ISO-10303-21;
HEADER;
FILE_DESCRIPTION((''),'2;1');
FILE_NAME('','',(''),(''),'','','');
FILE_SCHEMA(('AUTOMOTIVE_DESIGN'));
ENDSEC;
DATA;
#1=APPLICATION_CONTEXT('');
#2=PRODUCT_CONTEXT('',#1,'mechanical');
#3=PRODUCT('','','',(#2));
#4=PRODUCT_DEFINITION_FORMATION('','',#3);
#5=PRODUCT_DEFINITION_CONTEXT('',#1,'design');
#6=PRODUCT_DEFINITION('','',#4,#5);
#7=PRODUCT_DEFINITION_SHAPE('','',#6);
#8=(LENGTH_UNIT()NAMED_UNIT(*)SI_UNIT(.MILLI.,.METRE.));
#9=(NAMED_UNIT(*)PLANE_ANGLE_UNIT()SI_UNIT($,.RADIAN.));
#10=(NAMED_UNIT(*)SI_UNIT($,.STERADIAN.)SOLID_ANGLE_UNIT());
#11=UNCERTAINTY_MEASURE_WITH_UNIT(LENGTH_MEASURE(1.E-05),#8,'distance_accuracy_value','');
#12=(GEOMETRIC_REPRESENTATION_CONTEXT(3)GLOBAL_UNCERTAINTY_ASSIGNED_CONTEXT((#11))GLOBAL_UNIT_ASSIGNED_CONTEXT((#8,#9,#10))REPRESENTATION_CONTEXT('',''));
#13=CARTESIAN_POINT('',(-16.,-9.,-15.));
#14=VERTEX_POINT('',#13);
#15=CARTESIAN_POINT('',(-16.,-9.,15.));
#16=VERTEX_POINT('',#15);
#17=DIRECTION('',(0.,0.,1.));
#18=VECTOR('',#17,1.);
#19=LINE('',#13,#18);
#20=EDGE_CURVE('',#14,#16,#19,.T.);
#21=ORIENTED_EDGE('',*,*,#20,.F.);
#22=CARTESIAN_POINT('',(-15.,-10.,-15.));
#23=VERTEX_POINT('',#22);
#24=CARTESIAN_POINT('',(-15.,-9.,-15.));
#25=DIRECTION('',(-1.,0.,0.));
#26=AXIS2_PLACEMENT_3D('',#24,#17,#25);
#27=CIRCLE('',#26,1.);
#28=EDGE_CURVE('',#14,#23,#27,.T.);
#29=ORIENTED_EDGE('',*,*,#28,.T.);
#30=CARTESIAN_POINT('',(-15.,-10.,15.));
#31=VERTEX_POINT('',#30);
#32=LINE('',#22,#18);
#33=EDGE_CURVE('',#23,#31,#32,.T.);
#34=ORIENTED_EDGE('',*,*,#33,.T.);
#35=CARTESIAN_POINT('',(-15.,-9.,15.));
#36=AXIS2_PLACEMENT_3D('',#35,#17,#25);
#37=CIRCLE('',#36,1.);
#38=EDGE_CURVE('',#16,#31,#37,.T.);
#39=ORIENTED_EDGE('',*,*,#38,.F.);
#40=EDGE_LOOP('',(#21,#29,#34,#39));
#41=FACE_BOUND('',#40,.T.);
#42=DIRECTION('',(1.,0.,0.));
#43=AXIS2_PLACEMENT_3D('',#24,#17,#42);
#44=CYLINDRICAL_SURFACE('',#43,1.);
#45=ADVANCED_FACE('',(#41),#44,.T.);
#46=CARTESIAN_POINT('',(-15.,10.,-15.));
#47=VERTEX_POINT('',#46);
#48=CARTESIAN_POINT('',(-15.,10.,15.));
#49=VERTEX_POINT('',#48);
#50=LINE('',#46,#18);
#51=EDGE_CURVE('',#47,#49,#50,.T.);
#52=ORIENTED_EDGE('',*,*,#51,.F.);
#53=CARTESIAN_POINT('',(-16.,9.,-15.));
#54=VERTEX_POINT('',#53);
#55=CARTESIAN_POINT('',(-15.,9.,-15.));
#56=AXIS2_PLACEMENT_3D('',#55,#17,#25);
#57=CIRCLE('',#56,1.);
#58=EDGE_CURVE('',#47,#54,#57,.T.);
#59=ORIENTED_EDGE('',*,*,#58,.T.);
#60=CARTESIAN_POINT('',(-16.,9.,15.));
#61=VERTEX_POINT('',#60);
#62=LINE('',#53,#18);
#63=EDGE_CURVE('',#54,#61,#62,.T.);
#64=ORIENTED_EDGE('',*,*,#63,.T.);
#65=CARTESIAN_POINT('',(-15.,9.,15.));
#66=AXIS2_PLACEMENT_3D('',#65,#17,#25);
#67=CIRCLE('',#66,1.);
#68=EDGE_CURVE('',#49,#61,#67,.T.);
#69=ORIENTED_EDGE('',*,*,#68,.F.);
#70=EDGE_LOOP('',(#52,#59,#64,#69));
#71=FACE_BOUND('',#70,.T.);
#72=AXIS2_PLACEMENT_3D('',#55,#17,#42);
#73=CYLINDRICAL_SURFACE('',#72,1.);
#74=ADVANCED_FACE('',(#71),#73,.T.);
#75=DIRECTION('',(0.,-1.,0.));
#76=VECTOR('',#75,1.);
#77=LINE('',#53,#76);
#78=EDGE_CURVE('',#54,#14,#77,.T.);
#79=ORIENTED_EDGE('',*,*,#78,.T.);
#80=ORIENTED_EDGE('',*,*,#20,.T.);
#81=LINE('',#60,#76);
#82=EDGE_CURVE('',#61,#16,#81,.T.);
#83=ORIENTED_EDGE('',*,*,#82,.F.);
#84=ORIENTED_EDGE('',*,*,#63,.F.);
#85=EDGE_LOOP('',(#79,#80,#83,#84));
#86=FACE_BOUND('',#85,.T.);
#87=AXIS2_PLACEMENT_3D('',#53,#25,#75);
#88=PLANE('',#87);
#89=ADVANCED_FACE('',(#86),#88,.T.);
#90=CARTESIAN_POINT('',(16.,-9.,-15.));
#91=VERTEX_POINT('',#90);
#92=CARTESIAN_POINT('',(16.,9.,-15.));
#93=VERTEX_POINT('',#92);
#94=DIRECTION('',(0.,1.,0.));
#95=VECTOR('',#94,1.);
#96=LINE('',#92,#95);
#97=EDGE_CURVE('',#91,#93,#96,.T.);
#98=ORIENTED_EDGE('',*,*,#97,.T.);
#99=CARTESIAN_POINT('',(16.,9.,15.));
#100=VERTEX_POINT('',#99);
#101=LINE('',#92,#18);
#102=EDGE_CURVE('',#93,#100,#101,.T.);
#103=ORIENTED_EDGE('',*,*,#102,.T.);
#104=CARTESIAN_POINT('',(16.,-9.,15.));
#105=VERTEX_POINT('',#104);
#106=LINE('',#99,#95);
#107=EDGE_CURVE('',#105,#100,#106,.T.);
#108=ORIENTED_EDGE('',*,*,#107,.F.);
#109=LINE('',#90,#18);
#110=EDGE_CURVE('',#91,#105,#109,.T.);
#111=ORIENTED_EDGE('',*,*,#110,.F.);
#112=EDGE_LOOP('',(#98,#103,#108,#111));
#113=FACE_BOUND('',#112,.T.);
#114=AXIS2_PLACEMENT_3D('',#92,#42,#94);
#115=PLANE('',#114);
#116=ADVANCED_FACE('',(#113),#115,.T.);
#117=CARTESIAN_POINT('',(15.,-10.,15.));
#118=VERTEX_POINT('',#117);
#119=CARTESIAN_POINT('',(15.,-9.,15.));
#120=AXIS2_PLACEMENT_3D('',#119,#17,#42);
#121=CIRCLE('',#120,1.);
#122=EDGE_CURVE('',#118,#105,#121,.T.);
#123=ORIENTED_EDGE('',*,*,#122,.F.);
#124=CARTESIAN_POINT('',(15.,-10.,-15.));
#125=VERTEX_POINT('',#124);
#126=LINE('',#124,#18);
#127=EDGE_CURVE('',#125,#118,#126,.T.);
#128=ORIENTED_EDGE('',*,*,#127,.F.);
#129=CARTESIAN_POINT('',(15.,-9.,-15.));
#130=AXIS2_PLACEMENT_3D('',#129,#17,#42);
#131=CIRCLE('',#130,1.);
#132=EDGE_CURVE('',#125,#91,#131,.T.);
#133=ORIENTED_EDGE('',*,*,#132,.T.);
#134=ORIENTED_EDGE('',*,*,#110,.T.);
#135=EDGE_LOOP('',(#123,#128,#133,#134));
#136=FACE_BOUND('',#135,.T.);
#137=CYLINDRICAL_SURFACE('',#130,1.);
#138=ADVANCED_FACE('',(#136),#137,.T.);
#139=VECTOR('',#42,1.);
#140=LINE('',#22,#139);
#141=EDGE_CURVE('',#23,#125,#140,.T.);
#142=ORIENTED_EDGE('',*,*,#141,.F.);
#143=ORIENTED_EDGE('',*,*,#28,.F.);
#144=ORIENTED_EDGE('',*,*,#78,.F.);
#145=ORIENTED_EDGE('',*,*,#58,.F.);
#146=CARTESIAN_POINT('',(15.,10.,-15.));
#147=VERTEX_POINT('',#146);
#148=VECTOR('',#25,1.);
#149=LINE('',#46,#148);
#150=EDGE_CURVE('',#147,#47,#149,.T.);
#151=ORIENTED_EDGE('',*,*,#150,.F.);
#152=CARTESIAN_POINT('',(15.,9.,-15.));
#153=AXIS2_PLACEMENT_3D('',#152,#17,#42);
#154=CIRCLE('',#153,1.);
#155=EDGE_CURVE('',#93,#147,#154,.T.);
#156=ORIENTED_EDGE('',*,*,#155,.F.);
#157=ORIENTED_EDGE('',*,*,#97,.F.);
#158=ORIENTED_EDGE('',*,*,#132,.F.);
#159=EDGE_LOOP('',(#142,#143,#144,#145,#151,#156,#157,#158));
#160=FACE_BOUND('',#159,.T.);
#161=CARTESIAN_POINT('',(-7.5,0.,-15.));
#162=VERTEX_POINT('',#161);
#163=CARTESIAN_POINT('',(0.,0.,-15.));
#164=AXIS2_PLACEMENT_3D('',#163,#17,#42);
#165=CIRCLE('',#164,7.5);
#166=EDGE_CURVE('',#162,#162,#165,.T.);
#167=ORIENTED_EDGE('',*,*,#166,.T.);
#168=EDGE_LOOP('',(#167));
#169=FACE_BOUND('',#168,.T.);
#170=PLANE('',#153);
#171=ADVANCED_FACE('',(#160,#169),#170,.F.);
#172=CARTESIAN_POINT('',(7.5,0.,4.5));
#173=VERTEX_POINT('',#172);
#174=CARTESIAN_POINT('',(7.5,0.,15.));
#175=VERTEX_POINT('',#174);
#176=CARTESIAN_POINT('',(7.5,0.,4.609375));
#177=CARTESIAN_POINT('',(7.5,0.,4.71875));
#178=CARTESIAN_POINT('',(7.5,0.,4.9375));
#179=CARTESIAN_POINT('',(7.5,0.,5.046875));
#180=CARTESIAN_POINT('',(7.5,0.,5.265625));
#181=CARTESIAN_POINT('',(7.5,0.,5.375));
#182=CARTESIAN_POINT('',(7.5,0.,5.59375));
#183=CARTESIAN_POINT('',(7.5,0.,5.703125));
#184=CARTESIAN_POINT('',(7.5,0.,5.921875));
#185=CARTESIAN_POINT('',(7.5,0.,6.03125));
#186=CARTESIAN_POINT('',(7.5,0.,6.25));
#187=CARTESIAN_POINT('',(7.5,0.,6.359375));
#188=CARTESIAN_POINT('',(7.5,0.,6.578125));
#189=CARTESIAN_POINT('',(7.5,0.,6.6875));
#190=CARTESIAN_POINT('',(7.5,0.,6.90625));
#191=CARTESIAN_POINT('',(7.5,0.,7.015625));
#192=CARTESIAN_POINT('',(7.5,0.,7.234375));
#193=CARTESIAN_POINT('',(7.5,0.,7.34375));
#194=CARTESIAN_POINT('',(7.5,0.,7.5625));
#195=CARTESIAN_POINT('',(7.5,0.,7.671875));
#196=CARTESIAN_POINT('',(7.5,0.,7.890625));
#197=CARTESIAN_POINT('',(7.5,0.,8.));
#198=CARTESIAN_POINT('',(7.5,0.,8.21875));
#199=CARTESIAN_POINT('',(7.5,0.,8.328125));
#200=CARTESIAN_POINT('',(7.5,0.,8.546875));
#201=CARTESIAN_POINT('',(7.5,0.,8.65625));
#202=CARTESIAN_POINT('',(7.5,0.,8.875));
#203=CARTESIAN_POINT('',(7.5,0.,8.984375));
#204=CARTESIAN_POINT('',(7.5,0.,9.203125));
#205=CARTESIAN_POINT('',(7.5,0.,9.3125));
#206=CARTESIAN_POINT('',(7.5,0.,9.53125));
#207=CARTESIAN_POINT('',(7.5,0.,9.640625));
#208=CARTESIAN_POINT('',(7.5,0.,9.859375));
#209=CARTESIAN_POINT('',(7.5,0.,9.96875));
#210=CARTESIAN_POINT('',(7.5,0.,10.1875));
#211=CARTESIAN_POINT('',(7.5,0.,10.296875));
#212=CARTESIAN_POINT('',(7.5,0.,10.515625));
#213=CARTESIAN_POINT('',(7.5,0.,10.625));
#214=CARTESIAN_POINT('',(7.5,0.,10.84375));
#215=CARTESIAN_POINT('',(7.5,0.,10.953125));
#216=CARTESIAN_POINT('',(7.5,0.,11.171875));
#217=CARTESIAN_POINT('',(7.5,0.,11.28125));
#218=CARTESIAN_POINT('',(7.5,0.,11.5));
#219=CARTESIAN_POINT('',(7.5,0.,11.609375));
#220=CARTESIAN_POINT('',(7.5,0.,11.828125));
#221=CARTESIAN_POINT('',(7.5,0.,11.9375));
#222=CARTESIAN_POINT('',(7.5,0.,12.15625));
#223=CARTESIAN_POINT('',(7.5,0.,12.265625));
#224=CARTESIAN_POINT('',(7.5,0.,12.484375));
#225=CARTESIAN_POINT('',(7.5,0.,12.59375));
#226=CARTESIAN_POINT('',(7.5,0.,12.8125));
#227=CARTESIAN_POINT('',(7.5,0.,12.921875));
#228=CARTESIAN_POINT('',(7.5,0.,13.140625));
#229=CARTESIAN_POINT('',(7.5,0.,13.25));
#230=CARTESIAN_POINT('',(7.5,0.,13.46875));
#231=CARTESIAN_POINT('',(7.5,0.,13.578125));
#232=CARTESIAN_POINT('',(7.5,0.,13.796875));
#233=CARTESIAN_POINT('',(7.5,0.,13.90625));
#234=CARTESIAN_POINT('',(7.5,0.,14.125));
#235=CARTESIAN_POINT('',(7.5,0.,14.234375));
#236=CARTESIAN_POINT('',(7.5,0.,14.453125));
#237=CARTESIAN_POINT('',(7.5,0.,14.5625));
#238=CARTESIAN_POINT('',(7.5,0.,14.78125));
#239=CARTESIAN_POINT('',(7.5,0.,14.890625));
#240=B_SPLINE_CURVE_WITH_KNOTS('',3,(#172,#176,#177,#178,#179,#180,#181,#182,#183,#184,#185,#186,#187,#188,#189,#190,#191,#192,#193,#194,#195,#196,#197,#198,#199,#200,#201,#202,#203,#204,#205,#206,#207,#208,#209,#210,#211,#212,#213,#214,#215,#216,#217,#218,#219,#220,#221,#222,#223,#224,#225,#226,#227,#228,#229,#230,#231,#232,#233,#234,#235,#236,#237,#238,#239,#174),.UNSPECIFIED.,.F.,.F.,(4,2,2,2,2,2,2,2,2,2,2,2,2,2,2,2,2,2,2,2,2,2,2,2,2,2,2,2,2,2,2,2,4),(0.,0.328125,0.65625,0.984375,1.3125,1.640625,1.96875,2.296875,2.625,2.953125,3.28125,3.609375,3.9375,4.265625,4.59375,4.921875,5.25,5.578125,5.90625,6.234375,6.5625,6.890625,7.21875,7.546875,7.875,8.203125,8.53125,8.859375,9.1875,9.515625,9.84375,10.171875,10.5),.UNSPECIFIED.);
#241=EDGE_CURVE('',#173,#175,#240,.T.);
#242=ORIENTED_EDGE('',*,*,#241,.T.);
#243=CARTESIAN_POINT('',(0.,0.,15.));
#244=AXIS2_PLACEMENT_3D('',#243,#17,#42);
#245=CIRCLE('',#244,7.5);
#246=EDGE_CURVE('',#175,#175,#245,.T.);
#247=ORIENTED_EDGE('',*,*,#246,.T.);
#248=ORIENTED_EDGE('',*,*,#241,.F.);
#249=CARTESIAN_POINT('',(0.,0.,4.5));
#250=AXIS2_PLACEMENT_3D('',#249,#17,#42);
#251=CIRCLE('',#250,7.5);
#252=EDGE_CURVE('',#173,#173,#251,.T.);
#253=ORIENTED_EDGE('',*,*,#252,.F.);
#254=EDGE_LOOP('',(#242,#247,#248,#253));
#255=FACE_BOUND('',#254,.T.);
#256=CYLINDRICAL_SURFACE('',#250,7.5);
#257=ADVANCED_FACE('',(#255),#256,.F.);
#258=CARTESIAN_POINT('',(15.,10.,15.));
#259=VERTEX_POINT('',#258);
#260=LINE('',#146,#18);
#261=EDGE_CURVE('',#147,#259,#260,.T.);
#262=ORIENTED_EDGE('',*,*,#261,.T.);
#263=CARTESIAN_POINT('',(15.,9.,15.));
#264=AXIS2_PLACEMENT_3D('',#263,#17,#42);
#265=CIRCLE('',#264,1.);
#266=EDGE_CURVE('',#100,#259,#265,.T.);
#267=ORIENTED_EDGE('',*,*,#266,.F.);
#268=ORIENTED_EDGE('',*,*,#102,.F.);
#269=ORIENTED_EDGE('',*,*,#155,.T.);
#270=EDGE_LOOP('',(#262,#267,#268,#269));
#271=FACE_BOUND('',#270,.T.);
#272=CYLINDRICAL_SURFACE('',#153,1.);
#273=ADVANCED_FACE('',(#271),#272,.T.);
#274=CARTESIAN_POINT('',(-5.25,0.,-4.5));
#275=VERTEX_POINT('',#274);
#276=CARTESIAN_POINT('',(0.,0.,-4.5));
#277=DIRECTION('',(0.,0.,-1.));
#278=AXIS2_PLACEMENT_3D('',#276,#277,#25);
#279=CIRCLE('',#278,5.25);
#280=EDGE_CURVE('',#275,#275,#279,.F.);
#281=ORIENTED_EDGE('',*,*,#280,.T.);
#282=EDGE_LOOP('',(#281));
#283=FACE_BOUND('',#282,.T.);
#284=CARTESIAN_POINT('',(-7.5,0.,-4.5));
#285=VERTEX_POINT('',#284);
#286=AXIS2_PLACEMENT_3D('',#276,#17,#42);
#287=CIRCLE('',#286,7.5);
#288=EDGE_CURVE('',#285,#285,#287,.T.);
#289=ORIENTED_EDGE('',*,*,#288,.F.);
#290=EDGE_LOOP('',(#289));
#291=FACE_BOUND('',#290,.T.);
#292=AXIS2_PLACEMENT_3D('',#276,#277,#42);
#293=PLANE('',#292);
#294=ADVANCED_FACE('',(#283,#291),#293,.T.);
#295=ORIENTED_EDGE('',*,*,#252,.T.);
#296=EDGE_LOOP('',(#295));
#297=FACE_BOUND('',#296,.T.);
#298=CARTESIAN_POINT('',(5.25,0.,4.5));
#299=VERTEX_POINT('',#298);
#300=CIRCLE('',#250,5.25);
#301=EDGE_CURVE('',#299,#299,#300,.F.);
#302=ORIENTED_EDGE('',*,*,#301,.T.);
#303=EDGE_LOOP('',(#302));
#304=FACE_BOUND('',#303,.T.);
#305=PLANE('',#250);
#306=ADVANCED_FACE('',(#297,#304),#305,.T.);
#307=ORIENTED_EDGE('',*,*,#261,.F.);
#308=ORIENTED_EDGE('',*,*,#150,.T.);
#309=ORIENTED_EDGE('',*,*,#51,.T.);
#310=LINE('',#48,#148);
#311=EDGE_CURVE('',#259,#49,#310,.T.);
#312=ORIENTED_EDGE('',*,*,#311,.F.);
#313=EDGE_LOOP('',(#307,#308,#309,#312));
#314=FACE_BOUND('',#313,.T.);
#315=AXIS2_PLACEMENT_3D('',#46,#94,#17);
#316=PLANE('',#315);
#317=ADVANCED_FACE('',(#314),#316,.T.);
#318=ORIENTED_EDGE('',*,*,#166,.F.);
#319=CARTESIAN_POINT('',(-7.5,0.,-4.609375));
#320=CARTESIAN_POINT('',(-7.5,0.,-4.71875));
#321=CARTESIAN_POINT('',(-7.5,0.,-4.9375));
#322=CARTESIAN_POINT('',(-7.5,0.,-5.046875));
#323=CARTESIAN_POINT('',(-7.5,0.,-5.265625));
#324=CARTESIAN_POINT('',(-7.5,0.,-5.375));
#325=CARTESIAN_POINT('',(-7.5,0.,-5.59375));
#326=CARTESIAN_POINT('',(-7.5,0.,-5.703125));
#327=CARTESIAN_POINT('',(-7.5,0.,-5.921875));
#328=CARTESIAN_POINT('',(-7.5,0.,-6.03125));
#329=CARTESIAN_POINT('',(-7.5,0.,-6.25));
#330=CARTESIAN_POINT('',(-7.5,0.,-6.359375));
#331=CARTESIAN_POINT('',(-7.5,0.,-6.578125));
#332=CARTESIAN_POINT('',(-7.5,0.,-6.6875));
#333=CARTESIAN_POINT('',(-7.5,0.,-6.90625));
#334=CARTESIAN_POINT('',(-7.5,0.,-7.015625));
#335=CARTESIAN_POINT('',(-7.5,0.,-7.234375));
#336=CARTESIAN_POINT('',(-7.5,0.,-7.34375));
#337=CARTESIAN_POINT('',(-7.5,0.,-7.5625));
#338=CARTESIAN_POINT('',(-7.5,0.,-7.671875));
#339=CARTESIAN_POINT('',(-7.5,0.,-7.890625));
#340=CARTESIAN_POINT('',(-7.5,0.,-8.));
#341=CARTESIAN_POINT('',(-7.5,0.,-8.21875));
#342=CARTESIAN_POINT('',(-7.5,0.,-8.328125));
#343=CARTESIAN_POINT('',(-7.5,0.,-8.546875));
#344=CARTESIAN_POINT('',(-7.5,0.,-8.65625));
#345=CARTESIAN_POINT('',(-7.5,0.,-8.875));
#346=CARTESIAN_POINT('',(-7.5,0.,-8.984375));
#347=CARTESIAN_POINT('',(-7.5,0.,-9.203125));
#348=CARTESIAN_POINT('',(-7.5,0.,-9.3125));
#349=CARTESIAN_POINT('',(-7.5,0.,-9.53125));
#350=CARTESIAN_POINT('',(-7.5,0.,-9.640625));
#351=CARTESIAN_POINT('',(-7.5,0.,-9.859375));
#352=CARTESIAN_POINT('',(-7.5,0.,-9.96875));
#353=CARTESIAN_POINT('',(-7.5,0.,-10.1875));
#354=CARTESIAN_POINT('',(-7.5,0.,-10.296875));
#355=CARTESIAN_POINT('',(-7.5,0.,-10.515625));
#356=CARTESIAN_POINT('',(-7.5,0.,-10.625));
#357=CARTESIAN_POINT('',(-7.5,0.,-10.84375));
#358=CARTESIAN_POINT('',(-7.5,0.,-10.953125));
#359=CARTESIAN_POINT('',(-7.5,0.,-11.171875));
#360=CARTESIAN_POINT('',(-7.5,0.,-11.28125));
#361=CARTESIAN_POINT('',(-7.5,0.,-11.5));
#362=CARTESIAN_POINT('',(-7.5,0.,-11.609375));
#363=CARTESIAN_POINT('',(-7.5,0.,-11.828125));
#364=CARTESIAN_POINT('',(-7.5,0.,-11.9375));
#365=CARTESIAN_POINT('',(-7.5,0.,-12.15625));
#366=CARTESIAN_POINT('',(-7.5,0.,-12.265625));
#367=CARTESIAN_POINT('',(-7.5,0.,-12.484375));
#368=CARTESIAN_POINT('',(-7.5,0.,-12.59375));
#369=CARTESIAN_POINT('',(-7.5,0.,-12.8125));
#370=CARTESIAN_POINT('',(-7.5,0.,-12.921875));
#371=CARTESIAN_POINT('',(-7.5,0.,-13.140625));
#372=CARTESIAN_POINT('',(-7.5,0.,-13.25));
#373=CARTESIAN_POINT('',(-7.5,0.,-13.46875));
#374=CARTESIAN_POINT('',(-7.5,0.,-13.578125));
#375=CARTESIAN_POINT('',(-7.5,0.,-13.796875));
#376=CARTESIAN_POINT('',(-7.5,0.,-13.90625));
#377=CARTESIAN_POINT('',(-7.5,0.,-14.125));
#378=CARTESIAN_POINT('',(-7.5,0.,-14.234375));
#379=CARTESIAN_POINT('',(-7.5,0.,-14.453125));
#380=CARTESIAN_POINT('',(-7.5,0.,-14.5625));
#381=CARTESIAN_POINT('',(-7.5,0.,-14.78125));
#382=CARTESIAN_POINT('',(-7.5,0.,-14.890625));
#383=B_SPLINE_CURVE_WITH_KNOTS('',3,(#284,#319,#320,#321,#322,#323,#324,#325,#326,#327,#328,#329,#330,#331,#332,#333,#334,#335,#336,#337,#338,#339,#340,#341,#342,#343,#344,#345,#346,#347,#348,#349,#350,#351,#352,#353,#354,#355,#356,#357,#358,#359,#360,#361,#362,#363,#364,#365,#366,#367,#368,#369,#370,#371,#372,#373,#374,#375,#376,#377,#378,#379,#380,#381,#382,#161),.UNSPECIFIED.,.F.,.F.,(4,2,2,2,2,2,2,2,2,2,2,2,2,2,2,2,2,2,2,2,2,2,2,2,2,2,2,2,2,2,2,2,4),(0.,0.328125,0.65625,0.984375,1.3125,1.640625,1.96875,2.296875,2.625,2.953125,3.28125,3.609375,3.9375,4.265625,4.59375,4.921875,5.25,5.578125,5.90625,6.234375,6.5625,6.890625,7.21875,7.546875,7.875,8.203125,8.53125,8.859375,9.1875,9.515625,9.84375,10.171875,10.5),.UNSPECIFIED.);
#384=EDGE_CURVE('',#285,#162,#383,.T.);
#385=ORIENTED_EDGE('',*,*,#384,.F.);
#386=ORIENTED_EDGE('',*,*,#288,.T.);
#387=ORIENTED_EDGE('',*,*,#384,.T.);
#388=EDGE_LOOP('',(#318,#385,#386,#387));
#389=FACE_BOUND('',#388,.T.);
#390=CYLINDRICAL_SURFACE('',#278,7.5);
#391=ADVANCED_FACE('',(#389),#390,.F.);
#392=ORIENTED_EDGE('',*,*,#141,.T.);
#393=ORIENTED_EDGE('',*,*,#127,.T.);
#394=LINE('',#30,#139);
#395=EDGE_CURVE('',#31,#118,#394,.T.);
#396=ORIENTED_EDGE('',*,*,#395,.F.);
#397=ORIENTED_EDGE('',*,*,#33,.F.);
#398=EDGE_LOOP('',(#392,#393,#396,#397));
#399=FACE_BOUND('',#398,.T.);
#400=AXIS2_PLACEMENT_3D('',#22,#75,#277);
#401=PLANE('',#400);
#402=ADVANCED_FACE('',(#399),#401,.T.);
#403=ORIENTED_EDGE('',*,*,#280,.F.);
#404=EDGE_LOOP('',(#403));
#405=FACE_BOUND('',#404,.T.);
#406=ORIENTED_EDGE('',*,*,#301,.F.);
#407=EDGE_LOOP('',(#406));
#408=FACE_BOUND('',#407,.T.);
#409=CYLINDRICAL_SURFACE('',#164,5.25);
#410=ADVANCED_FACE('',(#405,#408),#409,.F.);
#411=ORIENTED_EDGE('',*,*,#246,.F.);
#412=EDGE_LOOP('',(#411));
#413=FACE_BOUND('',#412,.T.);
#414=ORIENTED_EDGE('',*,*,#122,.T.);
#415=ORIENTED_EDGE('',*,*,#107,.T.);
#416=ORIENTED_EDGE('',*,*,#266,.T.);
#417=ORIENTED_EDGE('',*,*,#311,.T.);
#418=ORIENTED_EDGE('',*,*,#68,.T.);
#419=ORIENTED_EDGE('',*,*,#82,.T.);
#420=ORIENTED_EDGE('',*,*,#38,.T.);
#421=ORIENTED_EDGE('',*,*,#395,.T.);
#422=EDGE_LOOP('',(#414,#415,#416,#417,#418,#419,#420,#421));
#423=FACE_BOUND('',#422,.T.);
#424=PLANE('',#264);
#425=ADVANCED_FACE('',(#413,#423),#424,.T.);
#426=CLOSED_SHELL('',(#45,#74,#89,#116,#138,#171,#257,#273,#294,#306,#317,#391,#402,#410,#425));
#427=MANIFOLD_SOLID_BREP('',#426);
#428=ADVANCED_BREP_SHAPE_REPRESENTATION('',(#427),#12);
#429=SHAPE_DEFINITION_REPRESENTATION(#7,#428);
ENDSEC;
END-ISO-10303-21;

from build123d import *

# Parameters (mm, degrees)
SKETCH1_R           = 5.25
BOSS_EXTRUDE1_DEPTH = 15
SKETCH2_R           = 7.5
CUT_EXTRUDE1_DEPTH  = 10.5


with BuildPart() as part:
    # Sketch1 → Boss-Extrude1 (new, symmetric)
    with BuildSketch(Plane.XY):
        with BuildLine():
            Line((-15, 10), (15, 10))
            ThreePointArc((15, 10), (15.707106781, 9.707106781), (16, 9))
            Line((16, 9), (16, -9))
            ThreePointArc((16, -9), (15.707106781, -9.707106781), (15, -10))
            Line((15, -10), (-15, -10))
            ThreePointArc((-15, -10), (-15.707106781, -9.707106781), (-16, -9))
            Line((-16, -9), (-16, 9))
            ThreePointArc((-16, 9), (-15.707106781, 9.707106781), (-15, 10))
        make_face()
        Circle(SKETCH1_R, mode=Mode.SUBTRACT)
    extrude(amount=BOSS_EXTRUDE1_DEPTH, both=True)

    # Sketch2 → Cut-Extrude1 (cut)
    with BuildSketch(Plane.XY.offset(15)):
        Circle(SKETCH2_R)
    cut_extrude1 = extrude(amount=-CUT_EXTRUDE1_DEPTH, mode=Mode.SUBTRACT)

    # Mirror1: Cut-Extrude1 across plane
    add(cut_extrude1.mirror(Plane.XY), mode=Mode.SUBTRACT)


solid = part.part
